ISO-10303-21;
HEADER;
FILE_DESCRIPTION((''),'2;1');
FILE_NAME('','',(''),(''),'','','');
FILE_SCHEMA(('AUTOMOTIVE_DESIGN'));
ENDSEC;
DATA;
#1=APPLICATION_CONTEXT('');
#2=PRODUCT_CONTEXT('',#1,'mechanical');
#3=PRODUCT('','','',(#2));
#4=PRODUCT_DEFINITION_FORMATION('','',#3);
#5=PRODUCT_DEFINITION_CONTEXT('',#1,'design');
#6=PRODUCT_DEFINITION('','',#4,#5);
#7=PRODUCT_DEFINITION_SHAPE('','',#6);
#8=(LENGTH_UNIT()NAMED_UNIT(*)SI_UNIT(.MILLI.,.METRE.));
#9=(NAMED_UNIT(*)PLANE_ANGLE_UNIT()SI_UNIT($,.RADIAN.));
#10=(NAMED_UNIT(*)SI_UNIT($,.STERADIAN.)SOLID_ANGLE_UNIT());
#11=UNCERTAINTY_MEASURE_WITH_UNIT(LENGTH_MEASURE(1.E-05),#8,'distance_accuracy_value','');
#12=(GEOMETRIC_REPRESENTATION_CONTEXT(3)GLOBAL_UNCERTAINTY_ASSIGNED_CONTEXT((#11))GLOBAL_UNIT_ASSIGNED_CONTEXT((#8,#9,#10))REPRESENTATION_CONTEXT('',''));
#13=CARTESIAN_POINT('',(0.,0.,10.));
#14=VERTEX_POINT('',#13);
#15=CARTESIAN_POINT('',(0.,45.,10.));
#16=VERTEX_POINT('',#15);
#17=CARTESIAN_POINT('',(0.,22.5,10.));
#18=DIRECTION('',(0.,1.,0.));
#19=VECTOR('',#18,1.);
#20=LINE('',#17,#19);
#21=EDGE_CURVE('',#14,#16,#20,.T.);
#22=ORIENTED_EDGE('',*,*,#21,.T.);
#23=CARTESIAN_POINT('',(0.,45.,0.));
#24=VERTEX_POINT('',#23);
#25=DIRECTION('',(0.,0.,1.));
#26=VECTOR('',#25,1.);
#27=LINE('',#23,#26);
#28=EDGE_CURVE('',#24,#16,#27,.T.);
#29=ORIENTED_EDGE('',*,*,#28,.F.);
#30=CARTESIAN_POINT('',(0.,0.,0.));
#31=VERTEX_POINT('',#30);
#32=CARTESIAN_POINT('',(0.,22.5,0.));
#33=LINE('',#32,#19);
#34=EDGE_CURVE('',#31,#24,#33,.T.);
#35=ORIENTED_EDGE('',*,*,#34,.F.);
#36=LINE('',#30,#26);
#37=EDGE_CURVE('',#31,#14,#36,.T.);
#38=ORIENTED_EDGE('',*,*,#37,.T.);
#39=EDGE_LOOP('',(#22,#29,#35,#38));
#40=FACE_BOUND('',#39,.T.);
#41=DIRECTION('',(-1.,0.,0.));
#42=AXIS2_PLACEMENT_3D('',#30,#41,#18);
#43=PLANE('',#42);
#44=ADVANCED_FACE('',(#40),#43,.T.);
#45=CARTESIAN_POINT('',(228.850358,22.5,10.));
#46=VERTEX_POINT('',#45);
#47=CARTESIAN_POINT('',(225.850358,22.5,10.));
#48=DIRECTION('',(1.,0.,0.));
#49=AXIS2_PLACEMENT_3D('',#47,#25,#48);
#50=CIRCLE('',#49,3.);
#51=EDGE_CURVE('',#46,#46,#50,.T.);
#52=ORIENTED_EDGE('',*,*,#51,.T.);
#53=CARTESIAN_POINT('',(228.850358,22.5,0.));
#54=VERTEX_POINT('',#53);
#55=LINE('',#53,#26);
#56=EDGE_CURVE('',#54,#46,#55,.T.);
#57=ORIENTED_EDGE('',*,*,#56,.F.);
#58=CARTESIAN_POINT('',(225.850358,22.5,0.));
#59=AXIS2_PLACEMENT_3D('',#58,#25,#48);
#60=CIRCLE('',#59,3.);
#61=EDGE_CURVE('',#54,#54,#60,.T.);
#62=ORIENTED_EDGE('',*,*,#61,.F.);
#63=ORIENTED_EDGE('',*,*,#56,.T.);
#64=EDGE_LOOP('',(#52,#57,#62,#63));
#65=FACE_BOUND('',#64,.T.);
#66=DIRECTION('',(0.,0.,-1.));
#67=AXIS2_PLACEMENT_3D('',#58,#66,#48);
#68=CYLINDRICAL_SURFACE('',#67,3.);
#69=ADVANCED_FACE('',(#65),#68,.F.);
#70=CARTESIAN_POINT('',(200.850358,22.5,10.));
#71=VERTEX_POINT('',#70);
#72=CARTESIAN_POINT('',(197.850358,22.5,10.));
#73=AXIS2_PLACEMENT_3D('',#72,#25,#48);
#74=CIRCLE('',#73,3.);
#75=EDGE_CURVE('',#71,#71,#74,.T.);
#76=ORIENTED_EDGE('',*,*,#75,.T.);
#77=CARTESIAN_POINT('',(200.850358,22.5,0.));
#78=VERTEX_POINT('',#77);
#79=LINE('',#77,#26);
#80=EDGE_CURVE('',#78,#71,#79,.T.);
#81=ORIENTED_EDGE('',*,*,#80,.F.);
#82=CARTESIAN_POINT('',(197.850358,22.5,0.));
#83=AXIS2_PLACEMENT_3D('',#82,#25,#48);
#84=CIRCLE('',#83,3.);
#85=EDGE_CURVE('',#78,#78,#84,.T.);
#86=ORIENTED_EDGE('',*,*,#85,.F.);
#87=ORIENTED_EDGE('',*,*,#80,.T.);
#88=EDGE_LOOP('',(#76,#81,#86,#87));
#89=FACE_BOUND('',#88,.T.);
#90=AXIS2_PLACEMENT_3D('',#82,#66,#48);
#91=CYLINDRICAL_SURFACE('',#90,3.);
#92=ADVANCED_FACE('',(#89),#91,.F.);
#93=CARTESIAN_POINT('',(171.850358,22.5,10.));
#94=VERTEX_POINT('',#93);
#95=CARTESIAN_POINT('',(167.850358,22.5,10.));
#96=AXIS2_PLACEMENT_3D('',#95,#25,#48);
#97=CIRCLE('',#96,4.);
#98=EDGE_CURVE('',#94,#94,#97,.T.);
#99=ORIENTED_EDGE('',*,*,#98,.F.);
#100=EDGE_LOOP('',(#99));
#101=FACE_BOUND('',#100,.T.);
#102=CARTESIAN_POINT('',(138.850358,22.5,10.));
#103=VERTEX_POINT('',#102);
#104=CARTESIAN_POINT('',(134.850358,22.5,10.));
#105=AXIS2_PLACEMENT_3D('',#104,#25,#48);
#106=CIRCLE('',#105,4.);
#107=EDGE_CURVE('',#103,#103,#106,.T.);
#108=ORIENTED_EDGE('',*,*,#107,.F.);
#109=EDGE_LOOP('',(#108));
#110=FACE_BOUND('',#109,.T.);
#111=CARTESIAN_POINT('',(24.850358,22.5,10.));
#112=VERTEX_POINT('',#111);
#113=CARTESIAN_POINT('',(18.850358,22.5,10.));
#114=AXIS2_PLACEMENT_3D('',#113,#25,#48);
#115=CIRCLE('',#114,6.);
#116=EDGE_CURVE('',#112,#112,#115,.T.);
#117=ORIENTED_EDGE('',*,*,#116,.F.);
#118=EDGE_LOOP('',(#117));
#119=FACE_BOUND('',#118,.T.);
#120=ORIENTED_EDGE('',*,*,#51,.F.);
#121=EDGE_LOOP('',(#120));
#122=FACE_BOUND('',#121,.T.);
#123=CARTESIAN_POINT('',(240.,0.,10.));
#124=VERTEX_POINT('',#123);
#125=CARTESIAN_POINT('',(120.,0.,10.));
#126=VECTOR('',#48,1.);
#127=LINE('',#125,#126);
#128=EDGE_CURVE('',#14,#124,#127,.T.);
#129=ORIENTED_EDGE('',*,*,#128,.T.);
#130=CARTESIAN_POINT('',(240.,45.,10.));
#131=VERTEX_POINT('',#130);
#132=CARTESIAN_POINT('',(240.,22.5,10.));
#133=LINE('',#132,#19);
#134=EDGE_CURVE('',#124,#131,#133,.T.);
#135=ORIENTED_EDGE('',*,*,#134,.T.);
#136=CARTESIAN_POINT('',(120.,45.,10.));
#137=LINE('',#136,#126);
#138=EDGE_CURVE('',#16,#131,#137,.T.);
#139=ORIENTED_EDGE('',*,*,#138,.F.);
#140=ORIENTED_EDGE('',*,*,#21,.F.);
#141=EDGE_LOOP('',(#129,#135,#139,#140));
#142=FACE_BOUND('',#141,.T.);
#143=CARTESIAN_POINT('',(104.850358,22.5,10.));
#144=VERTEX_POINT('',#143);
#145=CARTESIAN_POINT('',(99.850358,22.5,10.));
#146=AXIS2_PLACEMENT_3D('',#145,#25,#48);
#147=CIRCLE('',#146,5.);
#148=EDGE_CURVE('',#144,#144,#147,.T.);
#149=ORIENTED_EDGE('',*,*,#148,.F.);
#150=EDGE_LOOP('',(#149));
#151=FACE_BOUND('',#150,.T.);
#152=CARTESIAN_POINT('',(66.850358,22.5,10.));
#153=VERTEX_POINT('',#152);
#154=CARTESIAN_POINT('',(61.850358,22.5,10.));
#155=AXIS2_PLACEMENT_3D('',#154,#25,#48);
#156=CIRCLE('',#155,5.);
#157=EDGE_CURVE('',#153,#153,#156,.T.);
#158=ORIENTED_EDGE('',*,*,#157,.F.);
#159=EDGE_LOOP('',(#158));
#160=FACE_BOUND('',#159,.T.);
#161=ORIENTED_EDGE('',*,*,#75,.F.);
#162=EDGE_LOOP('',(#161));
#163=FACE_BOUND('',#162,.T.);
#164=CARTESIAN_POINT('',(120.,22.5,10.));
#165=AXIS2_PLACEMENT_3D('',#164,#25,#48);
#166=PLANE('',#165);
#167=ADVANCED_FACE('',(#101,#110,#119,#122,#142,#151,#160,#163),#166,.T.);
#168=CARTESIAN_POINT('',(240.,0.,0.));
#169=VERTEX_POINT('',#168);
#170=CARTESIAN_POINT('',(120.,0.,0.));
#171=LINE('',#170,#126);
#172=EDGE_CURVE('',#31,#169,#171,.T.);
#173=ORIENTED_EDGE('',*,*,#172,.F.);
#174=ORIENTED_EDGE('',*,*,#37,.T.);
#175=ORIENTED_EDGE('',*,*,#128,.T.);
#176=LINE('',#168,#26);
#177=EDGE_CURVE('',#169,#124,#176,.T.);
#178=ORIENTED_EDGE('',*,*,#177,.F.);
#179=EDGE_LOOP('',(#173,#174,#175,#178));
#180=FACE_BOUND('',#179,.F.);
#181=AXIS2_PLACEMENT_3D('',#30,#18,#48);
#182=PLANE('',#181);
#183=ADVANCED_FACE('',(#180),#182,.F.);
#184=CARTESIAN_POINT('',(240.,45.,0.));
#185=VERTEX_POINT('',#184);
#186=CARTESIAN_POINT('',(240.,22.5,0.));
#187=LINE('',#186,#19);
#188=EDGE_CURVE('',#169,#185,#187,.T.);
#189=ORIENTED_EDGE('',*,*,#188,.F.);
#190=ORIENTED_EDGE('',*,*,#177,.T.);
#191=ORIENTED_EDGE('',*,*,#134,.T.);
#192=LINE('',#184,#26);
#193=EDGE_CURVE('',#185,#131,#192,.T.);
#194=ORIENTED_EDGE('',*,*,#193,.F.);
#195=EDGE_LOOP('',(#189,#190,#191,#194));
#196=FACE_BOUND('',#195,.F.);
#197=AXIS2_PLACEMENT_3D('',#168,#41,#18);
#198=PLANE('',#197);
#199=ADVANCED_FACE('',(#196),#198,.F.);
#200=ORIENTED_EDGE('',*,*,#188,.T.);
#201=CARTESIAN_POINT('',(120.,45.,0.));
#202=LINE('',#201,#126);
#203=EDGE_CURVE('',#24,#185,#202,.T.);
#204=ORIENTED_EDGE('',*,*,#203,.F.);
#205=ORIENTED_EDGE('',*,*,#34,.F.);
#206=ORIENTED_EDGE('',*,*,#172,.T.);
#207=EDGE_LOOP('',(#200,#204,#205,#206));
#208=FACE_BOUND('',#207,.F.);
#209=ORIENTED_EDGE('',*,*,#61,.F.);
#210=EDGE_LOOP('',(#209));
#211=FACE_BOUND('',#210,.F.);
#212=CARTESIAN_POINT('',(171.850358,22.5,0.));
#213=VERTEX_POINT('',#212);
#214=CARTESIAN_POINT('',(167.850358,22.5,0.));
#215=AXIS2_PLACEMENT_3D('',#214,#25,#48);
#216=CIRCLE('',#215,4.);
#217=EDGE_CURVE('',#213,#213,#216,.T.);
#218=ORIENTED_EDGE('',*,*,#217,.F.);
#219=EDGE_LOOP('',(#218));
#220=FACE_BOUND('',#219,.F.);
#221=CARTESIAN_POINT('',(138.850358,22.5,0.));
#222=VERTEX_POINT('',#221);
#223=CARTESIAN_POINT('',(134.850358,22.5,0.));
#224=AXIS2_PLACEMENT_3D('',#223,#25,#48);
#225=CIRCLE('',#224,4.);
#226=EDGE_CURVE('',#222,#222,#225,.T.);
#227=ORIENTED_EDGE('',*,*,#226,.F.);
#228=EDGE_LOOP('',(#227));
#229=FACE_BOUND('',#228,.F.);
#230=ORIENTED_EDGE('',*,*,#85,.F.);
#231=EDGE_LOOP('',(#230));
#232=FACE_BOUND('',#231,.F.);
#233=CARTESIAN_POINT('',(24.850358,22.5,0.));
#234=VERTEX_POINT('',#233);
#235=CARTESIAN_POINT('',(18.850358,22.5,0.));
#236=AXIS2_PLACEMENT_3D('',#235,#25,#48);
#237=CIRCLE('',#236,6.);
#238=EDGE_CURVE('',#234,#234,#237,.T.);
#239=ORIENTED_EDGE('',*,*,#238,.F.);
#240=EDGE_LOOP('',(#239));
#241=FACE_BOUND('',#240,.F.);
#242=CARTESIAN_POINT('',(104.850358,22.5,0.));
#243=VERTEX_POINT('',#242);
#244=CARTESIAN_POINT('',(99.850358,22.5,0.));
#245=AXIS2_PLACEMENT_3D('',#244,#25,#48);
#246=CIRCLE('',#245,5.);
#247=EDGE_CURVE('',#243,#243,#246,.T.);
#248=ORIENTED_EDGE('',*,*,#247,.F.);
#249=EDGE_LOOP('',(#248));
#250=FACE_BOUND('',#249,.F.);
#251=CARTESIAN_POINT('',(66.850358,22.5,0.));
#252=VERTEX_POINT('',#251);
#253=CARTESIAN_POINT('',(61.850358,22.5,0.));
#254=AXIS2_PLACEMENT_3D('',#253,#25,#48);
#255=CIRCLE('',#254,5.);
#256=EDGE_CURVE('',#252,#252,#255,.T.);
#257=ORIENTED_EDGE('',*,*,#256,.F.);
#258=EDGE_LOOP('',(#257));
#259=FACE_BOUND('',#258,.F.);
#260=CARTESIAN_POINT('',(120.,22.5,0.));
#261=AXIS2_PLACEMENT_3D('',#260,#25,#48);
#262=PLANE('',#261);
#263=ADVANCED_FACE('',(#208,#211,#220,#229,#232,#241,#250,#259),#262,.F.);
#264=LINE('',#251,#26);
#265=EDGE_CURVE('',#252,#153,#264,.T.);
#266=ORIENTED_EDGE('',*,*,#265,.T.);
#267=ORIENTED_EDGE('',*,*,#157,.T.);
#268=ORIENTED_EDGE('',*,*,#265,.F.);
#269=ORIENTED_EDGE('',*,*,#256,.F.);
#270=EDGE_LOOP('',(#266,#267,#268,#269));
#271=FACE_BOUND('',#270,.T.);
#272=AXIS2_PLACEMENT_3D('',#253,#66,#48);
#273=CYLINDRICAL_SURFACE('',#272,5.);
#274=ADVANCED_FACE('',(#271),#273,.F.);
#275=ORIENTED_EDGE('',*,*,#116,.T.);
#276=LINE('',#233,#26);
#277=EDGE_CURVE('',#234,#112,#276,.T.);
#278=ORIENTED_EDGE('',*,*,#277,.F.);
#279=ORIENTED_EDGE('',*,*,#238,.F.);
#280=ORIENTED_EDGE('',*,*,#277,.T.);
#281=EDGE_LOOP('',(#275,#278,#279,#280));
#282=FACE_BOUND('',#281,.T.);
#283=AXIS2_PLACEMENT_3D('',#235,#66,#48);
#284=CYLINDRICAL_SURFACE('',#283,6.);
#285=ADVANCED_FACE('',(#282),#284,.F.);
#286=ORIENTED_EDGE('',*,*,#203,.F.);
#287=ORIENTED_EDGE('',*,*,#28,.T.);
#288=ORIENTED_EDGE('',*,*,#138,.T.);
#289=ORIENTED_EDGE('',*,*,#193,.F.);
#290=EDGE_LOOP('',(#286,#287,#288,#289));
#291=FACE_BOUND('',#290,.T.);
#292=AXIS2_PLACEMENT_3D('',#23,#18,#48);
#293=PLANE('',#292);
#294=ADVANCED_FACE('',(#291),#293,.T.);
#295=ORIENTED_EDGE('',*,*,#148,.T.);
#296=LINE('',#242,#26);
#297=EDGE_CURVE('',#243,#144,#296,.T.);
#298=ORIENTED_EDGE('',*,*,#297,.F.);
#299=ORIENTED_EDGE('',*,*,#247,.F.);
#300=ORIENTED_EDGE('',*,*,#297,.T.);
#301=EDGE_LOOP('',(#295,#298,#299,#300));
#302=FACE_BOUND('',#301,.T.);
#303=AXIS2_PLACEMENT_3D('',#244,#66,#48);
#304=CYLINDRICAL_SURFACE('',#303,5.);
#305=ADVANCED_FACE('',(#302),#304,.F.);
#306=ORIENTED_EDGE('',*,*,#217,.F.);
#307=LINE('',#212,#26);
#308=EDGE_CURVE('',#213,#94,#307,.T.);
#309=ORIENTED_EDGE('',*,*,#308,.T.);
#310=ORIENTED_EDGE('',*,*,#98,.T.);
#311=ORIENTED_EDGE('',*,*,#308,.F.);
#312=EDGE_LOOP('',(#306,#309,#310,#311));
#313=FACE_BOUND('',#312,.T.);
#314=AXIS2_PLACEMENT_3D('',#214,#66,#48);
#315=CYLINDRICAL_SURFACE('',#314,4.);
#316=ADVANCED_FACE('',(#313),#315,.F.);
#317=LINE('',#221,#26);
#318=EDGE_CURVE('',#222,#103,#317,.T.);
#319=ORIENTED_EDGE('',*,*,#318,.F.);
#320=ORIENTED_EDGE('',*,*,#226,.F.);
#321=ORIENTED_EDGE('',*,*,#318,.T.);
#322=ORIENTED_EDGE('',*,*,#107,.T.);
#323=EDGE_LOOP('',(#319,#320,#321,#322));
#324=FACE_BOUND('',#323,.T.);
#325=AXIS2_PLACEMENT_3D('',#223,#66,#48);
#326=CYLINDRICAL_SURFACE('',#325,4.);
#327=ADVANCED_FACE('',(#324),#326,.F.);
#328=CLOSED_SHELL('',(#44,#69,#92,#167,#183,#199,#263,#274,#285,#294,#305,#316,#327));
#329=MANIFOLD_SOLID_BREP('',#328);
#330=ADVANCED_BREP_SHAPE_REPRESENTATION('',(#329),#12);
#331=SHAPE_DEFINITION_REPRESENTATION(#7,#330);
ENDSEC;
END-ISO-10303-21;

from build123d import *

# Parameters (mm, degrees)
SKETCH_W   = 240
SKETCH_H   = 45
SKETCH_R   = 6
SKETCH_R_2 = 5
SKETCH_R_3 = 4
SKETCH_R_4 = 3
PAD_DEPTH  = 10


with BuildPart() as part:
    # Sketch → Pad (new body)
    with BuildSketch(Plane.XY):
        with Locations((120, 22.5)):
            Rectangle(SKETCH_W, SKETCH_H)
        with Locations((18.850358, 22.5)):
            Circle(SKETCH_R, mode=Mode.SUBTRACT)
        with Locations((61.850358, 22.5)):
            Circle(SKETCH_R_2, mode=Mode.SUBTRACT)
        with Locations((99.850358, 22.5)):
            Circle(SKETCH_R_2, mode=Mode.SUBTRACT)
        with Locations((134.850358, 22.5)):
            Circle(SKETCH_R_3, mode=Mode.SUBTRACT)
        with Locations((167.850358, 22.5)):
            Circle(SKETCH_R_3, mode=Mode.SUBTRACT)
        with Locations((197.850358, 22.5)):
            Circle(SKETCH_R_4, mode=Mode.SUBTRACT)
        with Locations((225.850358, 22.5)):
            Circle(SKETCH_R_4, mode=Mode.SUBTRACT)
    extrude(amount=PAD_DEPTH)


solid = part.part
